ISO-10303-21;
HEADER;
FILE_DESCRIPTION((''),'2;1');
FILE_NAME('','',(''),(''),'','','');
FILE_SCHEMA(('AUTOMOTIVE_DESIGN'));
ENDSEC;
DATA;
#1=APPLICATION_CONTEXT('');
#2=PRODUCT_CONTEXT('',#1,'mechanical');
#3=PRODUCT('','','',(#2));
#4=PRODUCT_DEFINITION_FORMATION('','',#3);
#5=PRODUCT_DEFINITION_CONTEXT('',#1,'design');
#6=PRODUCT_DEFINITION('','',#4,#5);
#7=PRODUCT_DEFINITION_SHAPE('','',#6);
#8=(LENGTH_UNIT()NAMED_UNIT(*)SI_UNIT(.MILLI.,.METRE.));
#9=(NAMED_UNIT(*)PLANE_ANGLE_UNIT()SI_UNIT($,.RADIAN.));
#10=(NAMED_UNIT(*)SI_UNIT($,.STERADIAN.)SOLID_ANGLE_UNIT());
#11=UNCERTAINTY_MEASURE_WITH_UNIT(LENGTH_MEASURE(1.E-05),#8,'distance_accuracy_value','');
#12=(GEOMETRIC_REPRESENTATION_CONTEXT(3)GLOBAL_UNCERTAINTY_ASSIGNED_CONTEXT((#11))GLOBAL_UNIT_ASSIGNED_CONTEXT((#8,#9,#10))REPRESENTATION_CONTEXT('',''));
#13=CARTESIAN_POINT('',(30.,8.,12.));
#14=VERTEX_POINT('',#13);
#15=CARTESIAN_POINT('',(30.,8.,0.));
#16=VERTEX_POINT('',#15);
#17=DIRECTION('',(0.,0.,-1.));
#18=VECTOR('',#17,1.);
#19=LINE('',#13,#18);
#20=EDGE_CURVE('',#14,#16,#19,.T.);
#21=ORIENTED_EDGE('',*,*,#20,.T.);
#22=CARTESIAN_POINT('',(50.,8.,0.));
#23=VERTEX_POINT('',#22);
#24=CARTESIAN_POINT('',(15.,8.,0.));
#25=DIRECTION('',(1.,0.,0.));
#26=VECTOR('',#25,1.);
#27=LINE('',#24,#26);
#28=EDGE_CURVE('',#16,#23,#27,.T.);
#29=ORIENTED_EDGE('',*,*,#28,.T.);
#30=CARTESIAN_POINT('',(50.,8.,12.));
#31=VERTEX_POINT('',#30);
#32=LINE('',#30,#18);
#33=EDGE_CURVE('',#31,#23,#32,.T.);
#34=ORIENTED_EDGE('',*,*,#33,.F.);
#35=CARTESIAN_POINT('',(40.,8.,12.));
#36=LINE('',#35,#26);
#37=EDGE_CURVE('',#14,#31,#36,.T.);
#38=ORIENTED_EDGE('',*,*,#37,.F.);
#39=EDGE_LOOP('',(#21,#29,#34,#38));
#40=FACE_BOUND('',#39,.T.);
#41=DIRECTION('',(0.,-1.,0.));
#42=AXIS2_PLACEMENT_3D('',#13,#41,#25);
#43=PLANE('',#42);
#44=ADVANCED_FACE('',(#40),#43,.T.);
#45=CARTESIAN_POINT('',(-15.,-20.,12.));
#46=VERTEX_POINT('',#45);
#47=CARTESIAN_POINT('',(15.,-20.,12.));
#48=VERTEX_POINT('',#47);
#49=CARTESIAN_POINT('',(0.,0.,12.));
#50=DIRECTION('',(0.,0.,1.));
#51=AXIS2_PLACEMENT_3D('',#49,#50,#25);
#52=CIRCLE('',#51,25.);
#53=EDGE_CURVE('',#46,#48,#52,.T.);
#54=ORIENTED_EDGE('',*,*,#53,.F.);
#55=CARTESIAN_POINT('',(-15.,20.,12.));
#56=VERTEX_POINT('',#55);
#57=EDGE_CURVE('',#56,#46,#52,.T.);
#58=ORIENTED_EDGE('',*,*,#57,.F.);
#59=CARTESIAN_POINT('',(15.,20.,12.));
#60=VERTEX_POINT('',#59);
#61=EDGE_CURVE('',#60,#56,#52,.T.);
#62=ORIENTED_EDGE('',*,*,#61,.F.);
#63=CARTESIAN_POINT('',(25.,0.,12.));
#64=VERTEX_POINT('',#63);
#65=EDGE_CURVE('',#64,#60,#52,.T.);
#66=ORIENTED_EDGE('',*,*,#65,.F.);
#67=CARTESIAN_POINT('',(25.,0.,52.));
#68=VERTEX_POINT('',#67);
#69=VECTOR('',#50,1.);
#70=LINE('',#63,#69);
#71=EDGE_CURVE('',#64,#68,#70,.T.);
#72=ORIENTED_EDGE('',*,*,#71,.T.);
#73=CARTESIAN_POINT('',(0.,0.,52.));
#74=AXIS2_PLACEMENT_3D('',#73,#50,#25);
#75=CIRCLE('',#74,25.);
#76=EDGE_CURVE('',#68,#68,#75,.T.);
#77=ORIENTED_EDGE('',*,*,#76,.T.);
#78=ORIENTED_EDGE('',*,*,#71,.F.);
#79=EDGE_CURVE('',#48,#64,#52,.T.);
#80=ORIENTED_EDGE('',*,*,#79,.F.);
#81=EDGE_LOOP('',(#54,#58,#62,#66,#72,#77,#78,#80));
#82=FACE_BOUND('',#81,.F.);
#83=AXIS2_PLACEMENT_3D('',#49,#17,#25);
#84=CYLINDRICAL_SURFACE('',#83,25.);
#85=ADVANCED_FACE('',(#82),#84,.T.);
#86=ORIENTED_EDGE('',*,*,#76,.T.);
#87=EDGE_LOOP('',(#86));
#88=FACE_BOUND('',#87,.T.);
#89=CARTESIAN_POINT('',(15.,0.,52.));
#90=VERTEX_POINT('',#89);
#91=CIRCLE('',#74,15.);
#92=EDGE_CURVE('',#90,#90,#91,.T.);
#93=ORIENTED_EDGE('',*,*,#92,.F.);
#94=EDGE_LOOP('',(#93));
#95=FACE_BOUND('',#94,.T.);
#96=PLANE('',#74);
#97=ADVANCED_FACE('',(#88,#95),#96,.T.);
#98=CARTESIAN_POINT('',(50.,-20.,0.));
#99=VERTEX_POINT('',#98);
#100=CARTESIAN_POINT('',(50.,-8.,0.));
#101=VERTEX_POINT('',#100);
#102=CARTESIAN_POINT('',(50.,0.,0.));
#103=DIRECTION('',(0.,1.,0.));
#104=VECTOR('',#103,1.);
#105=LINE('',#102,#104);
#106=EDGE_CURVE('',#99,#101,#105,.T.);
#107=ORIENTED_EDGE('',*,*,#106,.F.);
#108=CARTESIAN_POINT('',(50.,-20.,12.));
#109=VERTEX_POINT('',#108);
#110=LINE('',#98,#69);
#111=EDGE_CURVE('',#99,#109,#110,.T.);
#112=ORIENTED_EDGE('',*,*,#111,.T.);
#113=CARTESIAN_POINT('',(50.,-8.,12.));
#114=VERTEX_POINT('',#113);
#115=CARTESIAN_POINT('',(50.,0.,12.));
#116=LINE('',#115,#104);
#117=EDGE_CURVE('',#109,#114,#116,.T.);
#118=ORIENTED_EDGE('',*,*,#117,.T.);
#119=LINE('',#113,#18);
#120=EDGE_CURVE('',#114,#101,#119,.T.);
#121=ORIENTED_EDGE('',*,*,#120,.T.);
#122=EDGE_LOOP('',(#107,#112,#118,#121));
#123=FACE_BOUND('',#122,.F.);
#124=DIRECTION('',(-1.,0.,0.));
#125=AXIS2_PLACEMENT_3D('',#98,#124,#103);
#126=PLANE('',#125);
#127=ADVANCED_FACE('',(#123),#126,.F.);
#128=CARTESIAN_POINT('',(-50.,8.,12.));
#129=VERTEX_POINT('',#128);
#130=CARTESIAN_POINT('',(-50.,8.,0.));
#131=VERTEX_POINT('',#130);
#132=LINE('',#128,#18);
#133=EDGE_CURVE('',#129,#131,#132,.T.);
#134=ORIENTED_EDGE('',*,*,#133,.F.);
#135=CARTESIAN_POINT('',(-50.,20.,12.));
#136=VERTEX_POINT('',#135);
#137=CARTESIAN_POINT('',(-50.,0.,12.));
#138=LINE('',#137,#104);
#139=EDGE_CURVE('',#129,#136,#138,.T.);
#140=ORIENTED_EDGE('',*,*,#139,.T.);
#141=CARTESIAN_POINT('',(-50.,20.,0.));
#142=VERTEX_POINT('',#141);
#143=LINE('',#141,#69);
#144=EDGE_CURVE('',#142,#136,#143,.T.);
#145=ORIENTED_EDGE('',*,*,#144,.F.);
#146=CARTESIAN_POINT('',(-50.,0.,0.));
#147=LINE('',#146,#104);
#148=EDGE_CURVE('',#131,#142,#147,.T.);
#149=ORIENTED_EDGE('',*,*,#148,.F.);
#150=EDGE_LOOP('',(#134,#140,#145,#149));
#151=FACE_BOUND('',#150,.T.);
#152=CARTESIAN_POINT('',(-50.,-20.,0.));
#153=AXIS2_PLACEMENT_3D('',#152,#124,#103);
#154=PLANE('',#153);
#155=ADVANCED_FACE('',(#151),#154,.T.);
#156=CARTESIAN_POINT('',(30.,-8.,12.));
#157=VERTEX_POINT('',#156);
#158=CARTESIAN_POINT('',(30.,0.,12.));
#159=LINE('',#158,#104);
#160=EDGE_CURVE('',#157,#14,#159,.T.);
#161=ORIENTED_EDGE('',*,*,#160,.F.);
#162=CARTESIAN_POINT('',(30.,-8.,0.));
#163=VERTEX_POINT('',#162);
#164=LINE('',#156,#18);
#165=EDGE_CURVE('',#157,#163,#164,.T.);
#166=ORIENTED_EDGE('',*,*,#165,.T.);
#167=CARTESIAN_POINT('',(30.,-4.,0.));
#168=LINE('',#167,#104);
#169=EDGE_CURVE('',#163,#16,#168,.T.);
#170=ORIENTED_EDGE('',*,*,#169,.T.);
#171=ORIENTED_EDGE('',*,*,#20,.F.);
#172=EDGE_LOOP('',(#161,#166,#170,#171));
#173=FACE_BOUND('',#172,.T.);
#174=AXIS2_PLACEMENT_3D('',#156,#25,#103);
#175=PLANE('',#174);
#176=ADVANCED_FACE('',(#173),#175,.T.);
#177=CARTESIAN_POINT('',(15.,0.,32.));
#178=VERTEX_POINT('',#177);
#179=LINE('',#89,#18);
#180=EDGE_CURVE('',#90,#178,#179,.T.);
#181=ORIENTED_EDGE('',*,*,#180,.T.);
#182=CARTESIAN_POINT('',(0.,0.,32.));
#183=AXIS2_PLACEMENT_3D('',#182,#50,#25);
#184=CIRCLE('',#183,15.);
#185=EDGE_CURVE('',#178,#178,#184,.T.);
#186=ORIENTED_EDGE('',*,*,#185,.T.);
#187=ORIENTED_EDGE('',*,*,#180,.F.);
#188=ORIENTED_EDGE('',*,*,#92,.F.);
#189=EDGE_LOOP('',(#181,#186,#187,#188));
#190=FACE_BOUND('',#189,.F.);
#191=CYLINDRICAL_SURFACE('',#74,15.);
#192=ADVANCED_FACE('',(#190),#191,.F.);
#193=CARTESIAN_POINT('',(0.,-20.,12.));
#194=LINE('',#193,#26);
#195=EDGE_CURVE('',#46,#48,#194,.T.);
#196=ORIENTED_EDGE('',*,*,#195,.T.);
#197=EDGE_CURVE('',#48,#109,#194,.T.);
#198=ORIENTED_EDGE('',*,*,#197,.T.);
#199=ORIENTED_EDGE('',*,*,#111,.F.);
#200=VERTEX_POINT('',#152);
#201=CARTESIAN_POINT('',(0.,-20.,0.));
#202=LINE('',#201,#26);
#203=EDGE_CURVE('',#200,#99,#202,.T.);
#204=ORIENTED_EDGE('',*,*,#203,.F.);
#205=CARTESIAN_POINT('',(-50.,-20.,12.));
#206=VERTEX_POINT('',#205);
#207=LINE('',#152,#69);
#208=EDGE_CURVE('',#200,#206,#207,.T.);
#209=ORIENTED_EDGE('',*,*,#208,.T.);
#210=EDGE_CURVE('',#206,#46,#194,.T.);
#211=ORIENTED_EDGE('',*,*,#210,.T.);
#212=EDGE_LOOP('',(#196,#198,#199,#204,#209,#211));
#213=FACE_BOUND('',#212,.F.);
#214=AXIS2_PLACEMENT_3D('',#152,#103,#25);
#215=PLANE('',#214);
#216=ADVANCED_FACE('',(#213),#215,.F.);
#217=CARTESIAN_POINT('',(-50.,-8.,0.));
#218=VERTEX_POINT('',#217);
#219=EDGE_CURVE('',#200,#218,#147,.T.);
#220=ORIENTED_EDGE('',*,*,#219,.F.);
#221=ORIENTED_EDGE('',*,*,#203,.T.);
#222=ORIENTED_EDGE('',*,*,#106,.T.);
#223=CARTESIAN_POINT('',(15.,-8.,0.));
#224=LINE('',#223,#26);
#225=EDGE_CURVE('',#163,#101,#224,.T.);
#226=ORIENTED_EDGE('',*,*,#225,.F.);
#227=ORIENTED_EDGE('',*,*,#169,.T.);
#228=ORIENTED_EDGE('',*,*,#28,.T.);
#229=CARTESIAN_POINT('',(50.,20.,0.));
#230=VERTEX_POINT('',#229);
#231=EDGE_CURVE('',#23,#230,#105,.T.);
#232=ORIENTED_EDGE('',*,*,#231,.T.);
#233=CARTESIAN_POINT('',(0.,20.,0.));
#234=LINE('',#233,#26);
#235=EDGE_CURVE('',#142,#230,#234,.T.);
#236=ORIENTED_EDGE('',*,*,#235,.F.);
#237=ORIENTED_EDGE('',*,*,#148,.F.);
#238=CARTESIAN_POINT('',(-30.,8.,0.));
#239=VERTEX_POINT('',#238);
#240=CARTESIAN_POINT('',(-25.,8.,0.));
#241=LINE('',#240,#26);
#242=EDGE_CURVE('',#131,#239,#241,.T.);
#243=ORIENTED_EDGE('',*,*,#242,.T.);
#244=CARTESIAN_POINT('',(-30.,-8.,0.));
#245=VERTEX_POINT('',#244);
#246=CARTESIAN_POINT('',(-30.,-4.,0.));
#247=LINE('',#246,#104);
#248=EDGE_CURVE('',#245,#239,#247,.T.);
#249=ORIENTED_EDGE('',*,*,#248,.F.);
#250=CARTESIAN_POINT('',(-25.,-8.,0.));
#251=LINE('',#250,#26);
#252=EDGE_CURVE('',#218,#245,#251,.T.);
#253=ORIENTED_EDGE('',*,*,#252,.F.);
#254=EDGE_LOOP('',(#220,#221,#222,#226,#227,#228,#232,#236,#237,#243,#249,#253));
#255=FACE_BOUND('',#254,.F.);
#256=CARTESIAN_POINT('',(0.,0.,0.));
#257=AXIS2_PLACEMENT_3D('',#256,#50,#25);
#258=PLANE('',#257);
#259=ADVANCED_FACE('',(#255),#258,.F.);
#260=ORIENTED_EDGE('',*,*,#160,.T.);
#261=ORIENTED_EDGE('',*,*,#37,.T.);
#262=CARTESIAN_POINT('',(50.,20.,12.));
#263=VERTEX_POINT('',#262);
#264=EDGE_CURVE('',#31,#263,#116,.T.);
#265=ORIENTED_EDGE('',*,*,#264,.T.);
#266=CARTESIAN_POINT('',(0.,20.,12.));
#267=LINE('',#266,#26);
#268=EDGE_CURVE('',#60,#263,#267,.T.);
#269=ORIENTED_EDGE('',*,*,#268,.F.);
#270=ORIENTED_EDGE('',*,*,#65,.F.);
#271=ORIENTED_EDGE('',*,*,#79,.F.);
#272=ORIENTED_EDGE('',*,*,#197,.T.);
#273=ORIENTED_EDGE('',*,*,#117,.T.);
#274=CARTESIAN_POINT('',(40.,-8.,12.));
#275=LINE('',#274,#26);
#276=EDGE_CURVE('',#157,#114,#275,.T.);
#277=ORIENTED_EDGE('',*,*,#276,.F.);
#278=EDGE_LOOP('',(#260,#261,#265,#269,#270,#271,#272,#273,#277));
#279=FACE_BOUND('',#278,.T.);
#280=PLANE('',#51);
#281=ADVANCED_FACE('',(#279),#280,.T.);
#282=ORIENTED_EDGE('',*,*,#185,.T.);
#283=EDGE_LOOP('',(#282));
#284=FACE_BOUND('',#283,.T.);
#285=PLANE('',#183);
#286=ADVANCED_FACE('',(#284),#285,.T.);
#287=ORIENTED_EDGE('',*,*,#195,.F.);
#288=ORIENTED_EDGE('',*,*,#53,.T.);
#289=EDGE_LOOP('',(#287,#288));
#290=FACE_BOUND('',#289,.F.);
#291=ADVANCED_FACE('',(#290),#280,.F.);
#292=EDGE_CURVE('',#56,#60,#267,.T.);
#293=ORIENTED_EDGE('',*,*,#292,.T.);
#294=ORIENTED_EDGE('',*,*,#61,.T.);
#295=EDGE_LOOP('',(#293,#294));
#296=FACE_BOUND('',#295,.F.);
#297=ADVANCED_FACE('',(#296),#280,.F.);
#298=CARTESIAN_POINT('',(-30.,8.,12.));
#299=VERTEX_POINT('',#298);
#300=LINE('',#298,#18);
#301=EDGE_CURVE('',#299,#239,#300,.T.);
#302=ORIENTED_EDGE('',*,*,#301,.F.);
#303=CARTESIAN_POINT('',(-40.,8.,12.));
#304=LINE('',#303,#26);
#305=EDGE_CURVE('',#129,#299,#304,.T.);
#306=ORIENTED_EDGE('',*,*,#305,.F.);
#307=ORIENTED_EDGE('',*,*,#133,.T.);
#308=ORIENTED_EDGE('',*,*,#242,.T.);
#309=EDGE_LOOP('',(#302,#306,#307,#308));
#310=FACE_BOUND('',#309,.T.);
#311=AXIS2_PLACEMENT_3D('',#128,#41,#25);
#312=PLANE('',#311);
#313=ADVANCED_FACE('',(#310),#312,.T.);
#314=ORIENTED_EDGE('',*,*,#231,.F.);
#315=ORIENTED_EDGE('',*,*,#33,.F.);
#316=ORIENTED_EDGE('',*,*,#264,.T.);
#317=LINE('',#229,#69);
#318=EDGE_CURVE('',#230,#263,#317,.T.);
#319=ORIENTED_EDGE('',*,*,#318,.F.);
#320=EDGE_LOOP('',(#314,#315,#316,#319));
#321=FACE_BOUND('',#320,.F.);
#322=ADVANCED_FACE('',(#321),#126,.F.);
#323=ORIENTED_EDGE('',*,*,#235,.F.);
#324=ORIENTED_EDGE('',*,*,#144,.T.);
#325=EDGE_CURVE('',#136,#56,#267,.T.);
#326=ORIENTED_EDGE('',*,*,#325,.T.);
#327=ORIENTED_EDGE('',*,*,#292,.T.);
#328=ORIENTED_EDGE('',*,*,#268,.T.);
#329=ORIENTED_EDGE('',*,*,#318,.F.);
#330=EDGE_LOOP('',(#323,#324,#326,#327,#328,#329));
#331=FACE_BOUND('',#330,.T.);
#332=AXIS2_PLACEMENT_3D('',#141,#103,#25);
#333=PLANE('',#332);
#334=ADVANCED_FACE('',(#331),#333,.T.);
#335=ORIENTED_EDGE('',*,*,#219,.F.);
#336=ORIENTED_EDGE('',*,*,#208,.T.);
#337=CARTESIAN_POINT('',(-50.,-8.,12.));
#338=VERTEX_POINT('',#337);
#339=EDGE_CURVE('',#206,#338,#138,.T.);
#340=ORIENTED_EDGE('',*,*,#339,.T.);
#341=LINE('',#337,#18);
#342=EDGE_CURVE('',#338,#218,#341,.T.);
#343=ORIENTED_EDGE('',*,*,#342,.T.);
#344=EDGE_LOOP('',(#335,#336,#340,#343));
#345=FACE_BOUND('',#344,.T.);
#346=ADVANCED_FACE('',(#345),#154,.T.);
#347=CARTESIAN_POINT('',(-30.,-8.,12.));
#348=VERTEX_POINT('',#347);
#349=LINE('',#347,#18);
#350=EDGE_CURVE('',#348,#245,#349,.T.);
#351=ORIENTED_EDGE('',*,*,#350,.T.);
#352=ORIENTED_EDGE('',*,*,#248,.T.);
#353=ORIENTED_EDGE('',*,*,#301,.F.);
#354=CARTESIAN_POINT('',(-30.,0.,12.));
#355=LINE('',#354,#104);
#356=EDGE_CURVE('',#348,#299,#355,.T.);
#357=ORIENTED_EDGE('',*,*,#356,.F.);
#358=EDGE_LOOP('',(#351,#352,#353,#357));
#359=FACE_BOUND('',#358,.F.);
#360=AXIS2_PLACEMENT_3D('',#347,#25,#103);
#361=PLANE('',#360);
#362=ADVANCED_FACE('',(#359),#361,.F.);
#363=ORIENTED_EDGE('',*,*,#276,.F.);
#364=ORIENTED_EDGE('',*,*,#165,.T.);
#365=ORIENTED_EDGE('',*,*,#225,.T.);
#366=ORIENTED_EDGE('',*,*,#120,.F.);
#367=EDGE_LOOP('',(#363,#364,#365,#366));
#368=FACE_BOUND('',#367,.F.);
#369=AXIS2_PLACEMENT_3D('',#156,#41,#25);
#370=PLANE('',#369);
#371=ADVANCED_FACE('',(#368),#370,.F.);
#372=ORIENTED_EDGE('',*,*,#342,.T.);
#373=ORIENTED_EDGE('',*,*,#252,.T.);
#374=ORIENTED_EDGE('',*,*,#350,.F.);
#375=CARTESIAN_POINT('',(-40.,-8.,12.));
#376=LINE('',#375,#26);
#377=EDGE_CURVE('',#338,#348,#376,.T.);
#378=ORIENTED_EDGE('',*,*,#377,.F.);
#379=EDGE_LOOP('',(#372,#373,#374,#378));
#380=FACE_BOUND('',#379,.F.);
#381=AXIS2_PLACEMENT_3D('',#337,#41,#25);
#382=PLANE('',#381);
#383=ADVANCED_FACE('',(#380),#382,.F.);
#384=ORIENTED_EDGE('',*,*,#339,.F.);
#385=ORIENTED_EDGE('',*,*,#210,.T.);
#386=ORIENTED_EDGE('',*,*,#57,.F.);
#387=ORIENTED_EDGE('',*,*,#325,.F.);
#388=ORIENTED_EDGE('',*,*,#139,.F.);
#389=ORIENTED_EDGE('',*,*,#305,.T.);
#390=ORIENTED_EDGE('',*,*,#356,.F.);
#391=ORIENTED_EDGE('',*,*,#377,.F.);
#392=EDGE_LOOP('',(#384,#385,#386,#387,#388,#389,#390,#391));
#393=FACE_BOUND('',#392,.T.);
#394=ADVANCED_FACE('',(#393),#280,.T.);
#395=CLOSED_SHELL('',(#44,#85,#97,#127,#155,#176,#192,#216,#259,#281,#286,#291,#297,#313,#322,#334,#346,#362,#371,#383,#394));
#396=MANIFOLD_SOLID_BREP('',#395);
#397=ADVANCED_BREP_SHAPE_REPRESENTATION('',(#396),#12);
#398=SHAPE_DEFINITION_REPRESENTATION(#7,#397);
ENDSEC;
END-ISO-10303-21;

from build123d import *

# Parameters (mm, degrees)
F0_W     = 100
F0_H     = 40
F1_DEPTH = 12
F2_W     = 20
F2_H     = 16
F3_DEPTH = 12.001
F4_R     = 25
F5_DEPTH = 40
F6_R     = 15
F7_DEPTH = 20


with BuildPart() as f1:
    # F0 (on Top) → F1 (new body)
    with BuildSketch(Plane.XY):
        Rectangle(F0_W, F0_H)
    extrude(amount=F1_DEPTH)

    # F2 (on face) → F3 (cut, through all)
    with BuildSketch(Plane.XY.offset(12)):
        with Locations((-40, 0)):
            Rectangle(F2_W, F2_H)
        with Locations((40, 0)):
            Rectangle(F2_W, F2_H)
    extrude(amount=-F3_DEPTH, mode=Mode.SUBTRACT)

    # F4 (on face) → F5 (join)
    with BuildSketch(Plane.XY.offset(12)):
        Circle(F4_R)
    extrude(amount=F5_DEPTH)

    # F6 (on face) → F7 (cut)
    with BuildSketch(Plane.XY.offset(52)):
        Circle(F6_R)
    extrude(amount=-F7_DEPTH, mode=Mode.SUBTRACT)


solid = f1.part
